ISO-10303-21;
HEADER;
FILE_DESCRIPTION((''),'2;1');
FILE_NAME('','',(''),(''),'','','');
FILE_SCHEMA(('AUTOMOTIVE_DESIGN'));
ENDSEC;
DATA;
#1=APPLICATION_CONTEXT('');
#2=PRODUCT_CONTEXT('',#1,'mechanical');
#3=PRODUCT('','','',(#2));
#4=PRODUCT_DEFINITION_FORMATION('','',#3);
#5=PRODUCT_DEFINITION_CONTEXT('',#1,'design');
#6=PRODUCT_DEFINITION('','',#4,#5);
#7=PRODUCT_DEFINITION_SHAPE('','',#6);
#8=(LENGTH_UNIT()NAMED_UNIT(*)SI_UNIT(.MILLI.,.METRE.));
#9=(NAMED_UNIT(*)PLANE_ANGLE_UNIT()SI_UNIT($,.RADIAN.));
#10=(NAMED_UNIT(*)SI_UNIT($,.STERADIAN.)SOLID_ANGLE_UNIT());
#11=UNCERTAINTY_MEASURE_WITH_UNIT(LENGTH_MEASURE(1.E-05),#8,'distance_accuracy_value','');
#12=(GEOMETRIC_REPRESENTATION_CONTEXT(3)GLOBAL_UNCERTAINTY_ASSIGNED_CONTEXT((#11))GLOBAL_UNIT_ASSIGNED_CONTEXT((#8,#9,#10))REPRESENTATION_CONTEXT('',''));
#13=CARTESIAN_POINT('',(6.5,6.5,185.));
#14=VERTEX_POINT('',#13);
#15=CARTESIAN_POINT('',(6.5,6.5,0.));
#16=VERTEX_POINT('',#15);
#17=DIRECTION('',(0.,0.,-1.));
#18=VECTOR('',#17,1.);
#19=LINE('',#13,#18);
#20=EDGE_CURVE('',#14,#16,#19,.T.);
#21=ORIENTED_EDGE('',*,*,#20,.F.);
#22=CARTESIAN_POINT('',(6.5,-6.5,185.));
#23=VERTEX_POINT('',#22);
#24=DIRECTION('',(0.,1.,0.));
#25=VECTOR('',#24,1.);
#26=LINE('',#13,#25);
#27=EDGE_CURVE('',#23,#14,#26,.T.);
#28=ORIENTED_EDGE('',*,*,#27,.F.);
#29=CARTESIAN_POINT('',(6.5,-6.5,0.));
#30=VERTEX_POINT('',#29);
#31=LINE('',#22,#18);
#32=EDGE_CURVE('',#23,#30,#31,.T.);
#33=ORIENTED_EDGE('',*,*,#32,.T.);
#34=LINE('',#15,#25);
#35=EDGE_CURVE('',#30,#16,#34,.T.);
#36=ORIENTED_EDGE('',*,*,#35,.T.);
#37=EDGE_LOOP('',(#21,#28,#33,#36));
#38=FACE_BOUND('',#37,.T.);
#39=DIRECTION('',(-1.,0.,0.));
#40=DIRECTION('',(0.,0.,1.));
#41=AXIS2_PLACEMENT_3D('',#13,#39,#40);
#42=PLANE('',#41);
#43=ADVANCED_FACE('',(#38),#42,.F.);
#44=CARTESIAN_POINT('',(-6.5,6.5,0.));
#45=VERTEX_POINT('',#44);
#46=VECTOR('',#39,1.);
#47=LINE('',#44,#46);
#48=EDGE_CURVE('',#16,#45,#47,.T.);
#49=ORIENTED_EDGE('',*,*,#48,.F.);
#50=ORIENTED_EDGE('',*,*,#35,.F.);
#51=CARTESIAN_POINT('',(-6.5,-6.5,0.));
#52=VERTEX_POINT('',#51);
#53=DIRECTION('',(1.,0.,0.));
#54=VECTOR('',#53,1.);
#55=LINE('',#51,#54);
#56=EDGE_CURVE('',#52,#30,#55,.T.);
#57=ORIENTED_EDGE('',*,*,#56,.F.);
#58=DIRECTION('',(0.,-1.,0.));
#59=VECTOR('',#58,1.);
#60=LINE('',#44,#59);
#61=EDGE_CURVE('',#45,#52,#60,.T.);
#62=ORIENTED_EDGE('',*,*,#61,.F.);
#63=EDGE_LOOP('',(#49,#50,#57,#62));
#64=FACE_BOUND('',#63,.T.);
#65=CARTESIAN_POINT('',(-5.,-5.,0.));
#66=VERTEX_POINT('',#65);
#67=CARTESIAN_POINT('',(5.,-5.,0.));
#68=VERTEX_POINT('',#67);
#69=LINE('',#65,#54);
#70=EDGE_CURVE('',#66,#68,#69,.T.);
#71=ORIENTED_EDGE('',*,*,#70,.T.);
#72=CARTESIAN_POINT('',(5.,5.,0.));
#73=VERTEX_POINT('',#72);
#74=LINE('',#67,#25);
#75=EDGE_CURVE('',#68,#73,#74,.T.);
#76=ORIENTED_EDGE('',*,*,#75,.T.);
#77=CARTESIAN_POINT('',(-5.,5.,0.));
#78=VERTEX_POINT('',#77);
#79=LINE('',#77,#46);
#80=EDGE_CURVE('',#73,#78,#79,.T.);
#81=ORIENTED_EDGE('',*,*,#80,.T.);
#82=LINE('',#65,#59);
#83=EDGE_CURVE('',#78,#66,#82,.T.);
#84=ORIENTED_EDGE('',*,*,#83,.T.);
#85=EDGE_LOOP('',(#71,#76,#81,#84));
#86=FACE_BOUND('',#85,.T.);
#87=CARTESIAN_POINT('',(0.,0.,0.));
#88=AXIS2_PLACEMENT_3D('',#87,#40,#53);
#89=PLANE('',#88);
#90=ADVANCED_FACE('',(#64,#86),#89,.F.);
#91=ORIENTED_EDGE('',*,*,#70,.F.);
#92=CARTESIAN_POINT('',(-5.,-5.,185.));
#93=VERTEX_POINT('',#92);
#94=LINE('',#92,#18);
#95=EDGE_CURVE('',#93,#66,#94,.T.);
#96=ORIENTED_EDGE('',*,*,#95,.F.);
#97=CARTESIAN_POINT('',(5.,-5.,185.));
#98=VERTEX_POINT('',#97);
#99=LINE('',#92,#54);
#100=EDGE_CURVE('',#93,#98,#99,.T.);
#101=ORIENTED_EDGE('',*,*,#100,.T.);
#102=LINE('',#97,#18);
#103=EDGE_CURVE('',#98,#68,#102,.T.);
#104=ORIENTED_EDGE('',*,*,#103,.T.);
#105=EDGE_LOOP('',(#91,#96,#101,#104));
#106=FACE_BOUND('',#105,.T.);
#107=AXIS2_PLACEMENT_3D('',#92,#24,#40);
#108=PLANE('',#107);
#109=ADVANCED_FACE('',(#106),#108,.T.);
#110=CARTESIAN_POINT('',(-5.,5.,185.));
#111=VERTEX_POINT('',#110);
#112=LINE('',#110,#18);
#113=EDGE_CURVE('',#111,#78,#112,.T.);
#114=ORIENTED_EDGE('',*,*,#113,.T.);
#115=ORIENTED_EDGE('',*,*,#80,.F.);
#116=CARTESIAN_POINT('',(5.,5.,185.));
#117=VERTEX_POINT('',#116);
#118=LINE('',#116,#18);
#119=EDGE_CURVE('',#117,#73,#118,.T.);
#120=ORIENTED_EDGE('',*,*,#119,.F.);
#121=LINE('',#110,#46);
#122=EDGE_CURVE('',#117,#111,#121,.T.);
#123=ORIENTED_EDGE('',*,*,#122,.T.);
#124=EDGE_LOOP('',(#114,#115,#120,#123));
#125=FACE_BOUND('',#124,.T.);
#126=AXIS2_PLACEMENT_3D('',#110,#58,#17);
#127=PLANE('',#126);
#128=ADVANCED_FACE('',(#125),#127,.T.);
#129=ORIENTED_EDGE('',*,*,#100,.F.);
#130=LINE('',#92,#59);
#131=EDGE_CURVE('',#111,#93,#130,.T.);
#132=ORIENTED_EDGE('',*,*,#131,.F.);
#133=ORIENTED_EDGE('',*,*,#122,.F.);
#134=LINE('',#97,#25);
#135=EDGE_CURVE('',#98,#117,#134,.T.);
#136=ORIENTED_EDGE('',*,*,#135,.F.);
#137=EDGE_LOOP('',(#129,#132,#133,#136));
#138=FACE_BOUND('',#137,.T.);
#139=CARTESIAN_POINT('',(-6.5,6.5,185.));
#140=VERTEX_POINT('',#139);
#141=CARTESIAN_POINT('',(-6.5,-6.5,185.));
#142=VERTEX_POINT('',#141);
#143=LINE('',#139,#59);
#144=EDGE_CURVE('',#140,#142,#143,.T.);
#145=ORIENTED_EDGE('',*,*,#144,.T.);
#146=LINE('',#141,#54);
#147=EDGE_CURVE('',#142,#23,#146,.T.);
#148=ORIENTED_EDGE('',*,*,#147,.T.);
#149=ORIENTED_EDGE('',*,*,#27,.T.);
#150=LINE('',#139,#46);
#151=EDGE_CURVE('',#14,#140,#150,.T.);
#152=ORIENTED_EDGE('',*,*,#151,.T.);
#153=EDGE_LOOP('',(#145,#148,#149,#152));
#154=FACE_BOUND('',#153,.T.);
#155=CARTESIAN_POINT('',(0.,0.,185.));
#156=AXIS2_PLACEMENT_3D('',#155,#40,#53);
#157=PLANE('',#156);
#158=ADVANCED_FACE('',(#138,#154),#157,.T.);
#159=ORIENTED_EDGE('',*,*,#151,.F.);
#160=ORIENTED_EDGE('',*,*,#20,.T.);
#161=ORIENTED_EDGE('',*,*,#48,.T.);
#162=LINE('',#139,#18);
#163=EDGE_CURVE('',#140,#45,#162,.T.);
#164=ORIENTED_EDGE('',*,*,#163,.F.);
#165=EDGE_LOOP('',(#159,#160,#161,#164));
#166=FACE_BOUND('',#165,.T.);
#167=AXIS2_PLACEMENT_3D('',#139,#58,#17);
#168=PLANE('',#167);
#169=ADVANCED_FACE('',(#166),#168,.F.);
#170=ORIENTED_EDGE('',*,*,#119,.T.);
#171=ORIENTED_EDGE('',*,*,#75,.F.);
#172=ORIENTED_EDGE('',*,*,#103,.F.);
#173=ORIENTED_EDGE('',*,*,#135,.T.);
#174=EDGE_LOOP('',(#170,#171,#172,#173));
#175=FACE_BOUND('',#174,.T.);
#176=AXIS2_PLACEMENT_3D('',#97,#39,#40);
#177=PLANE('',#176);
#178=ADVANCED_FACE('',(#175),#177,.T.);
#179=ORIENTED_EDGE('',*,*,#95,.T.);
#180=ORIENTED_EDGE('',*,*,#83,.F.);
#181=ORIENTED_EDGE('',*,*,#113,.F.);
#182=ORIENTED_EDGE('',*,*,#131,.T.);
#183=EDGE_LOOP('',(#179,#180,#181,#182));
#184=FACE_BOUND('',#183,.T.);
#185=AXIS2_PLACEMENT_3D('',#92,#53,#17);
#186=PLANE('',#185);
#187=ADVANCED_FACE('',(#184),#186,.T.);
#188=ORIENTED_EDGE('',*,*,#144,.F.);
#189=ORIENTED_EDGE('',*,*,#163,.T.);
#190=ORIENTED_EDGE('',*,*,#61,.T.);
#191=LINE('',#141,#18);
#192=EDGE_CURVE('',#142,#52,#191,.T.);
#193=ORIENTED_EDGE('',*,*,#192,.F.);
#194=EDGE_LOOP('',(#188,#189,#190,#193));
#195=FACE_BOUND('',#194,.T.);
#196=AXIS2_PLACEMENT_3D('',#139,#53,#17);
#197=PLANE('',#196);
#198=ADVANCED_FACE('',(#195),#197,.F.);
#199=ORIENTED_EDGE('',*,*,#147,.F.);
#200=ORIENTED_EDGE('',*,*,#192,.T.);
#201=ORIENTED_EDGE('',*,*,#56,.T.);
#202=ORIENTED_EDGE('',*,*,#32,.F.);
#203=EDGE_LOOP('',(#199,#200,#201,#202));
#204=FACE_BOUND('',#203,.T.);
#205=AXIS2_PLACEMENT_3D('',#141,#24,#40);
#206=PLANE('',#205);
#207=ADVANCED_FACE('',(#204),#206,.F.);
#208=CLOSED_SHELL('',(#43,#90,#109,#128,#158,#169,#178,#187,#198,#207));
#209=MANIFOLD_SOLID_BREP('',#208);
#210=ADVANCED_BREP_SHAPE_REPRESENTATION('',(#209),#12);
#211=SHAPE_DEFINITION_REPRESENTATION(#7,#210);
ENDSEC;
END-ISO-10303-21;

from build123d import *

# Parameters (mm, degrees)
SKETCH1_W           = 13
SKETCH1_H           = 13
SKETCH1_W_2         = 10
SKETCH1_H_2         = 10
BOSS_EXTRUDE1_DEPTH = 185


with BuildPart() as part:
    # Sketch1 → Boss-Extrude1 (new body)
    with BuildSketch(Plane.XY):
        Rectangle(SKETCH1_W, SKETCH1_H)
        Rectangle(SKETCH1_W_2, SKETCH1_H_2, mode=Mode.SUBTRACT)
    extrude(amount=BOSS_EXTRUDE1_DEPTH)


solid = part.part
